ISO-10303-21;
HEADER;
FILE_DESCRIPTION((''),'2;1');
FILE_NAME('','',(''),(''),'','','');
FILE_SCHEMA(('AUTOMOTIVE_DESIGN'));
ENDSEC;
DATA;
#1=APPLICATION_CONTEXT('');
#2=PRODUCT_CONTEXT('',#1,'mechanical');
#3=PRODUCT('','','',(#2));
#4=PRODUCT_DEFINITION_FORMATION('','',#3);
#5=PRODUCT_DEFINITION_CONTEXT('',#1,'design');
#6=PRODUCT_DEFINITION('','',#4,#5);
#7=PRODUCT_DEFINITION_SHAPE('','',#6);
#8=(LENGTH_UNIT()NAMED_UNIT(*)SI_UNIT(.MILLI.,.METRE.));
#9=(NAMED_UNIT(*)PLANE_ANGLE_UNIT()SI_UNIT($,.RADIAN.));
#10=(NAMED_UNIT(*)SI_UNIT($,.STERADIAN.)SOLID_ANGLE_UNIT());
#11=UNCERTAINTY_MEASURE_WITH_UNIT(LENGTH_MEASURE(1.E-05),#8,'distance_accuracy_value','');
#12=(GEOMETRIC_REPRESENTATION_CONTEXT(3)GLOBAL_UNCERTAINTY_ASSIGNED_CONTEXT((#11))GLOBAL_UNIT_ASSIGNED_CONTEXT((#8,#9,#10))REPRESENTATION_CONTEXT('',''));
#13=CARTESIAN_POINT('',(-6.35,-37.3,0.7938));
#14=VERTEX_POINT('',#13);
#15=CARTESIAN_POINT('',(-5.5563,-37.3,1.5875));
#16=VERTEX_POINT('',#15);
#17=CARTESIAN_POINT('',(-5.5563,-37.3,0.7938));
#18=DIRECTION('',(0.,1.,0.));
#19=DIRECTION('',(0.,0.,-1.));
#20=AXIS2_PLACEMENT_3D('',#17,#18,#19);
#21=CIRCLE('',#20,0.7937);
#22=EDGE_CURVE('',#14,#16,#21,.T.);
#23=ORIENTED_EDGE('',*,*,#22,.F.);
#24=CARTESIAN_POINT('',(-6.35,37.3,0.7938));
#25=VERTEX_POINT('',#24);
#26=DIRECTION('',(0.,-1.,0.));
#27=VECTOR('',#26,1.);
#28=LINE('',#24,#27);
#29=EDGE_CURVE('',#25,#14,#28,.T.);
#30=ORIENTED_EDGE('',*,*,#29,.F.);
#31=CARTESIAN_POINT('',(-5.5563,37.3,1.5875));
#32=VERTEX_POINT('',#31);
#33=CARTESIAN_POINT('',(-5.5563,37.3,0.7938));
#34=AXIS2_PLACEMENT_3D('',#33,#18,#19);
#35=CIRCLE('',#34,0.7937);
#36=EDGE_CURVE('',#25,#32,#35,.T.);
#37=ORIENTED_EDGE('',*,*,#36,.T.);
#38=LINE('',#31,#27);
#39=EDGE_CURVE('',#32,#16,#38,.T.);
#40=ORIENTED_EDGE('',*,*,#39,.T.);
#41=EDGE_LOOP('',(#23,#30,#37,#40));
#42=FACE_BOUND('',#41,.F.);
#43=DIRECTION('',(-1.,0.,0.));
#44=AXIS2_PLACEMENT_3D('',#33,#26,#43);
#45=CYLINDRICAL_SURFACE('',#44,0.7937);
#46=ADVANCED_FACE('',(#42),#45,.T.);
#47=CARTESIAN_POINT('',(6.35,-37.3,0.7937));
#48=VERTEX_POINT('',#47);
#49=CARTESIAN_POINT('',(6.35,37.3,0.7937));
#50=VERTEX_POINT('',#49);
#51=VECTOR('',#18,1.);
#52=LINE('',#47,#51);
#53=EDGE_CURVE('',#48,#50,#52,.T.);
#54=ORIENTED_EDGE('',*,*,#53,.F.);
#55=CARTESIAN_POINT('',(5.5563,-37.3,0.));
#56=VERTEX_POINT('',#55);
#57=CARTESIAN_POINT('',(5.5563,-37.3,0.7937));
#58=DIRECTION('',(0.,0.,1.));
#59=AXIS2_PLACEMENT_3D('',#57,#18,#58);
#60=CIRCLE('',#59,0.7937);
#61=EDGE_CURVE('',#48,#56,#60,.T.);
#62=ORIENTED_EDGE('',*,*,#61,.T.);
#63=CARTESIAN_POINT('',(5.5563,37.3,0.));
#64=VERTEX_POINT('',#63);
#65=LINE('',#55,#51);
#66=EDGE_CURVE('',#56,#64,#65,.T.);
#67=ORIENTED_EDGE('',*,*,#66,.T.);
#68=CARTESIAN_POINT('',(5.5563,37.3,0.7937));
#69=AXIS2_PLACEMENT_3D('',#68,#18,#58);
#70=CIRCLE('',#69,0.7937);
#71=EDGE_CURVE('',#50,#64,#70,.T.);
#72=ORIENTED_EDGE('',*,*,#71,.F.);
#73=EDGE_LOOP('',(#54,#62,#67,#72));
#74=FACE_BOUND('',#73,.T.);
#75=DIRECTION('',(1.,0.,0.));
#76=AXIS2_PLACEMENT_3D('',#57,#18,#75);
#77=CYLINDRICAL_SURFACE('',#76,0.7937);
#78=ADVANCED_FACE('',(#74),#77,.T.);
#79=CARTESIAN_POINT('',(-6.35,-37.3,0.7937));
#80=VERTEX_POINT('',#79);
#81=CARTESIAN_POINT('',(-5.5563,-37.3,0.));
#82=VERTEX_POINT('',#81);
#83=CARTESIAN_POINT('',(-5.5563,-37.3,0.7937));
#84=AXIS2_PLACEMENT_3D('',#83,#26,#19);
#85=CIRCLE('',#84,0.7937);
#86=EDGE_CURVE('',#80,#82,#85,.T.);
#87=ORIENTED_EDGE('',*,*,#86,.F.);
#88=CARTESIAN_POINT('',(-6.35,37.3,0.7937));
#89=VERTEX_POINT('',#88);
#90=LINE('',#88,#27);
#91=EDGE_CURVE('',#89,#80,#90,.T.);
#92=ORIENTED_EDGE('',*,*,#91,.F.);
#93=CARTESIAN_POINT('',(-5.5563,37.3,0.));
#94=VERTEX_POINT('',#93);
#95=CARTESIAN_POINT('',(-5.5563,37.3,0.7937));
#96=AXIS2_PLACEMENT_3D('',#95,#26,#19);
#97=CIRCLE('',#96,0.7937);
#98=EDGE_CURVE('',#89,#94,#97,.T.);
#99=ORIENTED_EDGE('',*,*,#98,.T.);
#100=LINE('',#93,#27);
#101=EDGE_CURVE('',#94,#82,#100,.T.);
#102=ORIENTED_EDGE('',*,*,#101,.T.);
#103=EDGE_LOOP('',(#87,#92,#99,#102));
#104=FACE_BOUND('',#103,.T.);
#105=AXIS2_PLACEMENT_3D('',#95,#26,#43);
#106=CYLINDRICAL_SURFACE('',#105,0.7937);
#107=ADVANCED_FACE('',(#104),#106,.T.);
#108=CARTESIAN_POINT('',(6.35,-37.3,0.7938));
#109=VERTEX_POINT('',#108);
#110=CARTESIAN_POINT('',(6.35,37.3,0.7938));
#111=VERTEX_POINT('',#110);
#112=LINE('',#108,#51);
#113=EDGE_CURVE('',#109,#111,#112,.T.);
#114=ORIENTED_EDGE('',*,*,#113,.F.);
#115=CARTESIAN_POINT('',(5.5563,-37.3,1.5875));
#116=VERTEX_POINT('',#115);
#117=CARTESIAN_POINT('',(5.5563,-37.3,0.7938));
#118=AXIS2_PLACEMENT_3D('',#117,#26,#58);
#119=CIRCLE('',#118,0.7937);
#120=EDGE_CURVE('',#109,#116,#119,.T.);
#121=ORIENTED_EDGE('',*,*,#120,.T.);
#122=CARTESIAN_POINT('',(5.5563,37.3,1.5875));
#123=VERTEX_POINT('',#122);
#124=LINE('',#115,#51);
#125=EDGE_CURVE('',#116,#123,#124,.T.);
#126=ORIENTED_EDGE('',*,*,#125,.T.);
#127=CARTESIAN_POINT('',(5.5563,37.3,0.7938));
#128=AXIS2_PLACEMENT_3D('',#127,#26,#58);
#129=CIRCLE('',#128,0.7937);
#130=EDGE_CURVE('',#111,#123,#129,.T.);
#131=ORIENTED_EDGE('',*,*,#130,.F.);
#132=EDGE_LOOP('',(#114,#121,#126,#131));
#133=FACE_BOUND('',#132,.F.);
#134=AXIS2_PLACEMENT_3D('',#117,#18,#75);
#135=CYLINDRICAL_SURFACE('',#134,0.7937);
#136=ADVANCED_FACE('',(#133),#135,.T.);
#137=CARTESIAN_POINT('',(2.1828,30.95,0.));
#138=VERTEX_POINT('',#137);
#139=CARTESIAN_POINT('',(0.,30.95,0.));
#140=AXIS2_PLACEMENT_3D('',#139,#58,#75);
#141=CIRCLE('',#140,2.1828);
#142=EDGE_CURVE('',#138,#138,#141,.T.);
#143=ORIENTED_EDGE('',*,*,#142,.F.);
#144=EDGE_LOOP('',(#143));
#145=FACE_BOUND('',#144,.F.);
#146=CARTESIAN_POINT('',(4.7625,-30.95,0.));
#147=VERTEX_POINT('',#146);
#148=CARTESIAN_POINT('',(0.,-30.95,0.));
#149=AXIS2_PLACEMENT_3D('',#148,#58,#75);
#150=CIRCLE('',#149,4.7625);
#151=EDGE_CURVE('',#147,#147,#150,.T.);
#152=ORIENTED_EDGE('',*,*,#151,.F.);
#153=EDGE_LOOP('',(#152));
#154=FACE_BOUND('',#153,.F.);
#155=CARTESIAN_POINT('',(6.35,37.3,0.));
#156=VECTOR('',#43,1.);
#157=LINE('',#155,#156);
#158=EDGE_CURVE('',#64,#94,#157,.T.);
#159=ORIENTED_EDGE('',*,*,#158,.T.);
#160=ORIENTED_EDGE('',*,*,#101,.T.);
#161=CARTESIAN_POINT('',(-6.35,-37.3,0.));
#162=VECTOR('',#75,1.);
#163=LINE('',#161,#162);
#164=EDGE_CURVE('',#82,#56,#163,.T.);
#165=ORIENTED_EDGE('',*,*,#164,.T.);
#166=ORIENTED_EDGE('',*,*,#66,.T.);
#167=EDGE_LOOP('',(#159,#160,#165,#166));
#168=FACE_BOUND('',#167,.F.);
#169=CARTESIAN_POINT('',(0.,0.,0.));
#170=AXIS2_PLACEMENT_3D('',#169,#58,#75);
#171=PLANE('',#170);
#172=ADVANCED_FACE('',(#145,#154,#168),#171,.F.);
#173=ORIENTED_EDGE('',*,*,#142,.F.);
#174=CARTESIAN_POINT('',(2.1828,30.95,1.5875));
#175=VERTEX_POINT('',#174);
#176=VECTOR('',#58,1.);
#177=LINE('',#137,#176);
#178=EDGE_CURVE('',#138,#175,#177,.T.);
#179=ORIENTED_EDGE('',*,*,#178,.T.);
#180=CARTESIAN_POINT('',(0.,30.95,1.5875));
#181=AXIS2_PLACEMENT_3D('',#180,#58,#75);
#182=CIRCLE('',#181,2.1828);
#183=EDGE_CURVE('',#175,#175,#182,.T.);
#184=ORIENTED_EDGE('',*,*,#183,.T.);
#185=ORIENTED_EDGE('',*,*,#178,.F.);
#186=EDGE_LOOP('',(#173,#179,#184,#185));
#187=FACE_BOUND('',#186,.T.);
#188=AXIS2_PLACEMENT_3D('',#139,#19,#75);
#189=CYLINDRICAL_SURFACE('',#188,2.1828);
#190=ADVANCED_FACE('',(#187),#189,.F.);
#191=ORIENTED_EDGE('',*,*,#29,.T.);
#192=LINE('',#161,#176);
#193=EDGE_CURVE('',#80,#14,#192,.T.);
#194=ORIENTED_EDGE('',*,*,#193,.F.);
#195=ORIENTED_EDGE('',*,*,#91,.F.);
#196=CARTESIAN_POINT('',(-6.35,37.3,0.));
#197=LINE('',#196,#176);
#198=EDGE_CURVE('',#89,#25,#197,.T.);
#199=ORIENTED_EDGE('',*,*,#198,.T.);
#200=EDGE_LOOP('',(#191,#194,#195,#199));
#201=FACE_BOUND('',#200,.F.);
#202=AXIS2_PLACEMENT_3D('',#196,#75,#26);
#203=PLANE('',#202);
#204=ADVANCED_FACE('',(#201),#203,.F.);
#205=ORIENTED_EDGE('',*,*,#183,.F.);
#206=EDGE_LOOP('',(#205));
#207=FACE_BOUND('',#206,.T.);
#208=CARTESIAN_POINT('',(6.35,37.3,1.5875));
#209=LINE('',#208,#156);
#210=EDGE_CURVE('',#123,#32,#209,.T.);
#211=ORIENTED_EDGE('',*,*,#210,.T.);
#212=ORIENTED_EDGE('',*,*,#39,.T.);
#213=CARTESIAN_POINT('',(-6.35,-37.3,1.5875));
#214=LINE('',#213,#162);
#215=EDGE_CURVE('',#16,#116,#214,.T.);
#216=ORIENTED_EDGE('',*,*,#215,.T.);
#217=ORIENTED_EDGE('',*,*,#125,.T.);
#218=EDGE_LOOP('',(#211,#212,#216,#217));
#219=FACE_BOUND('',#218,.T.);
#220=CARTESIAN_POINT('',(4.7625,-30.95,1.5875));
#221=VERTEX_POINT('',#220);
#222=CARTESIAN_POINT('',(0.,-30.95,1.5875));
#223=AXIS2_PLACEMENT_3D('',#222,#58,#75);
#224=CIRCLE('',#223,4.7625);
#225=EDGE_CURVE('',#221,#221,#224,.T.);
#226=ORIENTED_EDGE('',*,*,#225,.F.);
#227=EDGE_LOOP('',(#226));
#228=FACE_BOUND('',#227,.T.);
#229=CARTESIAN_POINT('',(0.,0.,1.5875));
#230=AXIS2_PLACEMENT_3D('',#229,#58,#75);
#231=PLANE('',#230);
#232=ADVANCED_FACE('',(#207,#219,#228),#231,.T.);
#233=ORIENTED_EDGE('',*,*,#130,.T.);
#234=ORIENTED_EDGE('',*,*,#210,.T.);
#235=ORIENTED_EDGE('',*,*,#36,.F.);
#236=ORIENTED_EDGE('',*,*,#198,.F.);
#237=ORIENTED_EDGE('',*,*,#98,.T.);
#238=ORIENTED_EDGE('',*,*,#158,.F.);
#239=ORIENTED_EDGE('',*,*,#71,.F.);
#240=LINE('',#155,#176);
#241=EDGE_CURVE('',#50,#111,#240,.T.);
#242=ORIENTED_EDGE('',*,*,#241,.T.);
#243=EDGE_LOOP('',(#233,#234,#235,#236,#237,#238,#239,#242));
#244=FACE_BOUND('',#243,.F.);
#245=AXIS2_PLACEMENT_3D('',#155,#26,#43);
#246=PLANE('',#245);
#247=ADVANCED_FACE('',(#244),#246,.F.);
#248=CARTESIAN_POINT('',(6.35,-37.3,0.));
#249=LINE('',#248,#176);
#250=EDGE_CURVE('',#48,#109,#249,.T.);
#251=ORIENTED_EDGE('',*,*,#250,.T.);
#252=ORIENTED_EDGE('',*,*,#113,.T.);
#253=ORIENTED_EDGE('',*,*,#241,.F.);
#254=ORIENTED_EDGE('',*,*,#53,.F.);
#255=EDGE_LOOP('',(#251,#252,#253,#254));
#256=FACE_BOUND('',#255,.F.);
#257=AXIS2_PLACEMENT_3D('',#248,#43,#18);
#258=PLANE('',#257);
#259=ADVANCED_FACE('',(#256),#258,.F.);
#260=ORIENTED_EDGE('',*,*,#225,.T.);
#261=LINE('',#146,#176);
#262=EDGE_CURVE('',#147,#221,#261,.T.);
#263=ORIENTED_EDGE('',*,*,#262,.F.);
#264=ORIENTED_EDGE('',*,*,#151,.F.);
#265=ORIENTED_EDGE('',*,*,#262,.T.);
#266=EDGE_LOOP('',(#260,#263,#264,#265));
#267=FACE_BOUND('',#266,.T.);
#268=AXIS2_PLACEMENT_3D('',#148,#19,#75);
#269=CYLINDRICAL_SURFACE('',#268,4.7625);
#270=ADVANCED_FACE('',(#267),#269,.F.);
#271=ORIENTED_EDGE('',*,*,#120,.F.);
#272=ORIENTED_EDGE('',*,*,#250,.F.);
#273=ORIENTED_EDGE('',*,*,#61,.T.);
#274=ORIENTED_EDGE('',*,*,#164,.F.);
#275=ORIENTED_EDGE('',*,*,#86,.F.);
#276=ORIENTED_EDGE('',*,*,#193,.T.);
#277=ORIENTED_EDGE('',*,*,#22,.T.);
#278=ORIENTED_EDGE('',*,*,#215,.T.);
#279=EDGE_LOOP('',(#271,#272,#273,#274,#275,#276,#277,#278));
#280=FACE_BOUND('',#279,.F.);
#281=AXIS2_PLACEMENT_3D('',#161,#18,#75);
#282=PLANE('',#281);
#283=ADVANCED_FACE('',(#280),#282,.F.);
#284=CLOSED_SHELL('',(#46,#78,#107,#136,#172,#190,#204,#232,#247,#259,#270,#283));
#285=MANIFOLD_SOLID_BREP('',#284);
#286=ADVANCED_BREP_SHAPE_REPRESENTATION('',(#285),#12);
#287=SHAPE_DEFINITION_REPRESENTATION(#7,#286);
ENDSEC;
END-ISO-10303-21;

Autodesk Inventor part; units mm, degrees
ref_plane "YZ Plane" through (0, 0, 0) normal (1, 0, 0) x (0, 1, 0)
ref_plane "XZ Plane" through (0, 0, 0) normal (0, 1, 0) x (-1, 0, 0)
ref_plane "XY Plane" through (0, 0, 0) normal (0, 0, 1) x (1, 0, 0)
sketch "Sketch1" plane through (0, 0, 0) normal (0, 0, 1) x (1, 0, 0)
  circle A0 centre (0, 30.95) radius 2.1828
  circle A1 centre (0, -30.95) radius 4.7625
  line L0 (-6.35, -37.3) -> (6.35, -37.3)
  line L1 (6.35, -37.3) -> (6.35, 37.3)
  line L2 (6.35, 37.3) -> (-6.35, 37.3)
  line L3 (-6.35, 37.3) -> (-6.35, -37.3)
  line L4 (-6.35, -37.3) -> (6.35, 37.3) construction
  line L5 (6.35, -37.3) -> (-6.35, 37.3) construction
  point P0 (0, 0)
  dimension "d0" = 4.3656
  dimension "d1" = 9.525
  dimension "d2" = 30.95
  dimension "d3" = 61.9
  dimension "d4" = 12.7
  dimension "d5" = 6.35
extrude "Extrusion1" add sketch "Sketch1" along normal blind 1.5875
fillet "Fillet1" radius 0.7937 4 edges at (-6.35, 0, 0) (-6.35, 0, 1.5875) (6.35, 0, 0) (6.35, 0, 1.5875)
